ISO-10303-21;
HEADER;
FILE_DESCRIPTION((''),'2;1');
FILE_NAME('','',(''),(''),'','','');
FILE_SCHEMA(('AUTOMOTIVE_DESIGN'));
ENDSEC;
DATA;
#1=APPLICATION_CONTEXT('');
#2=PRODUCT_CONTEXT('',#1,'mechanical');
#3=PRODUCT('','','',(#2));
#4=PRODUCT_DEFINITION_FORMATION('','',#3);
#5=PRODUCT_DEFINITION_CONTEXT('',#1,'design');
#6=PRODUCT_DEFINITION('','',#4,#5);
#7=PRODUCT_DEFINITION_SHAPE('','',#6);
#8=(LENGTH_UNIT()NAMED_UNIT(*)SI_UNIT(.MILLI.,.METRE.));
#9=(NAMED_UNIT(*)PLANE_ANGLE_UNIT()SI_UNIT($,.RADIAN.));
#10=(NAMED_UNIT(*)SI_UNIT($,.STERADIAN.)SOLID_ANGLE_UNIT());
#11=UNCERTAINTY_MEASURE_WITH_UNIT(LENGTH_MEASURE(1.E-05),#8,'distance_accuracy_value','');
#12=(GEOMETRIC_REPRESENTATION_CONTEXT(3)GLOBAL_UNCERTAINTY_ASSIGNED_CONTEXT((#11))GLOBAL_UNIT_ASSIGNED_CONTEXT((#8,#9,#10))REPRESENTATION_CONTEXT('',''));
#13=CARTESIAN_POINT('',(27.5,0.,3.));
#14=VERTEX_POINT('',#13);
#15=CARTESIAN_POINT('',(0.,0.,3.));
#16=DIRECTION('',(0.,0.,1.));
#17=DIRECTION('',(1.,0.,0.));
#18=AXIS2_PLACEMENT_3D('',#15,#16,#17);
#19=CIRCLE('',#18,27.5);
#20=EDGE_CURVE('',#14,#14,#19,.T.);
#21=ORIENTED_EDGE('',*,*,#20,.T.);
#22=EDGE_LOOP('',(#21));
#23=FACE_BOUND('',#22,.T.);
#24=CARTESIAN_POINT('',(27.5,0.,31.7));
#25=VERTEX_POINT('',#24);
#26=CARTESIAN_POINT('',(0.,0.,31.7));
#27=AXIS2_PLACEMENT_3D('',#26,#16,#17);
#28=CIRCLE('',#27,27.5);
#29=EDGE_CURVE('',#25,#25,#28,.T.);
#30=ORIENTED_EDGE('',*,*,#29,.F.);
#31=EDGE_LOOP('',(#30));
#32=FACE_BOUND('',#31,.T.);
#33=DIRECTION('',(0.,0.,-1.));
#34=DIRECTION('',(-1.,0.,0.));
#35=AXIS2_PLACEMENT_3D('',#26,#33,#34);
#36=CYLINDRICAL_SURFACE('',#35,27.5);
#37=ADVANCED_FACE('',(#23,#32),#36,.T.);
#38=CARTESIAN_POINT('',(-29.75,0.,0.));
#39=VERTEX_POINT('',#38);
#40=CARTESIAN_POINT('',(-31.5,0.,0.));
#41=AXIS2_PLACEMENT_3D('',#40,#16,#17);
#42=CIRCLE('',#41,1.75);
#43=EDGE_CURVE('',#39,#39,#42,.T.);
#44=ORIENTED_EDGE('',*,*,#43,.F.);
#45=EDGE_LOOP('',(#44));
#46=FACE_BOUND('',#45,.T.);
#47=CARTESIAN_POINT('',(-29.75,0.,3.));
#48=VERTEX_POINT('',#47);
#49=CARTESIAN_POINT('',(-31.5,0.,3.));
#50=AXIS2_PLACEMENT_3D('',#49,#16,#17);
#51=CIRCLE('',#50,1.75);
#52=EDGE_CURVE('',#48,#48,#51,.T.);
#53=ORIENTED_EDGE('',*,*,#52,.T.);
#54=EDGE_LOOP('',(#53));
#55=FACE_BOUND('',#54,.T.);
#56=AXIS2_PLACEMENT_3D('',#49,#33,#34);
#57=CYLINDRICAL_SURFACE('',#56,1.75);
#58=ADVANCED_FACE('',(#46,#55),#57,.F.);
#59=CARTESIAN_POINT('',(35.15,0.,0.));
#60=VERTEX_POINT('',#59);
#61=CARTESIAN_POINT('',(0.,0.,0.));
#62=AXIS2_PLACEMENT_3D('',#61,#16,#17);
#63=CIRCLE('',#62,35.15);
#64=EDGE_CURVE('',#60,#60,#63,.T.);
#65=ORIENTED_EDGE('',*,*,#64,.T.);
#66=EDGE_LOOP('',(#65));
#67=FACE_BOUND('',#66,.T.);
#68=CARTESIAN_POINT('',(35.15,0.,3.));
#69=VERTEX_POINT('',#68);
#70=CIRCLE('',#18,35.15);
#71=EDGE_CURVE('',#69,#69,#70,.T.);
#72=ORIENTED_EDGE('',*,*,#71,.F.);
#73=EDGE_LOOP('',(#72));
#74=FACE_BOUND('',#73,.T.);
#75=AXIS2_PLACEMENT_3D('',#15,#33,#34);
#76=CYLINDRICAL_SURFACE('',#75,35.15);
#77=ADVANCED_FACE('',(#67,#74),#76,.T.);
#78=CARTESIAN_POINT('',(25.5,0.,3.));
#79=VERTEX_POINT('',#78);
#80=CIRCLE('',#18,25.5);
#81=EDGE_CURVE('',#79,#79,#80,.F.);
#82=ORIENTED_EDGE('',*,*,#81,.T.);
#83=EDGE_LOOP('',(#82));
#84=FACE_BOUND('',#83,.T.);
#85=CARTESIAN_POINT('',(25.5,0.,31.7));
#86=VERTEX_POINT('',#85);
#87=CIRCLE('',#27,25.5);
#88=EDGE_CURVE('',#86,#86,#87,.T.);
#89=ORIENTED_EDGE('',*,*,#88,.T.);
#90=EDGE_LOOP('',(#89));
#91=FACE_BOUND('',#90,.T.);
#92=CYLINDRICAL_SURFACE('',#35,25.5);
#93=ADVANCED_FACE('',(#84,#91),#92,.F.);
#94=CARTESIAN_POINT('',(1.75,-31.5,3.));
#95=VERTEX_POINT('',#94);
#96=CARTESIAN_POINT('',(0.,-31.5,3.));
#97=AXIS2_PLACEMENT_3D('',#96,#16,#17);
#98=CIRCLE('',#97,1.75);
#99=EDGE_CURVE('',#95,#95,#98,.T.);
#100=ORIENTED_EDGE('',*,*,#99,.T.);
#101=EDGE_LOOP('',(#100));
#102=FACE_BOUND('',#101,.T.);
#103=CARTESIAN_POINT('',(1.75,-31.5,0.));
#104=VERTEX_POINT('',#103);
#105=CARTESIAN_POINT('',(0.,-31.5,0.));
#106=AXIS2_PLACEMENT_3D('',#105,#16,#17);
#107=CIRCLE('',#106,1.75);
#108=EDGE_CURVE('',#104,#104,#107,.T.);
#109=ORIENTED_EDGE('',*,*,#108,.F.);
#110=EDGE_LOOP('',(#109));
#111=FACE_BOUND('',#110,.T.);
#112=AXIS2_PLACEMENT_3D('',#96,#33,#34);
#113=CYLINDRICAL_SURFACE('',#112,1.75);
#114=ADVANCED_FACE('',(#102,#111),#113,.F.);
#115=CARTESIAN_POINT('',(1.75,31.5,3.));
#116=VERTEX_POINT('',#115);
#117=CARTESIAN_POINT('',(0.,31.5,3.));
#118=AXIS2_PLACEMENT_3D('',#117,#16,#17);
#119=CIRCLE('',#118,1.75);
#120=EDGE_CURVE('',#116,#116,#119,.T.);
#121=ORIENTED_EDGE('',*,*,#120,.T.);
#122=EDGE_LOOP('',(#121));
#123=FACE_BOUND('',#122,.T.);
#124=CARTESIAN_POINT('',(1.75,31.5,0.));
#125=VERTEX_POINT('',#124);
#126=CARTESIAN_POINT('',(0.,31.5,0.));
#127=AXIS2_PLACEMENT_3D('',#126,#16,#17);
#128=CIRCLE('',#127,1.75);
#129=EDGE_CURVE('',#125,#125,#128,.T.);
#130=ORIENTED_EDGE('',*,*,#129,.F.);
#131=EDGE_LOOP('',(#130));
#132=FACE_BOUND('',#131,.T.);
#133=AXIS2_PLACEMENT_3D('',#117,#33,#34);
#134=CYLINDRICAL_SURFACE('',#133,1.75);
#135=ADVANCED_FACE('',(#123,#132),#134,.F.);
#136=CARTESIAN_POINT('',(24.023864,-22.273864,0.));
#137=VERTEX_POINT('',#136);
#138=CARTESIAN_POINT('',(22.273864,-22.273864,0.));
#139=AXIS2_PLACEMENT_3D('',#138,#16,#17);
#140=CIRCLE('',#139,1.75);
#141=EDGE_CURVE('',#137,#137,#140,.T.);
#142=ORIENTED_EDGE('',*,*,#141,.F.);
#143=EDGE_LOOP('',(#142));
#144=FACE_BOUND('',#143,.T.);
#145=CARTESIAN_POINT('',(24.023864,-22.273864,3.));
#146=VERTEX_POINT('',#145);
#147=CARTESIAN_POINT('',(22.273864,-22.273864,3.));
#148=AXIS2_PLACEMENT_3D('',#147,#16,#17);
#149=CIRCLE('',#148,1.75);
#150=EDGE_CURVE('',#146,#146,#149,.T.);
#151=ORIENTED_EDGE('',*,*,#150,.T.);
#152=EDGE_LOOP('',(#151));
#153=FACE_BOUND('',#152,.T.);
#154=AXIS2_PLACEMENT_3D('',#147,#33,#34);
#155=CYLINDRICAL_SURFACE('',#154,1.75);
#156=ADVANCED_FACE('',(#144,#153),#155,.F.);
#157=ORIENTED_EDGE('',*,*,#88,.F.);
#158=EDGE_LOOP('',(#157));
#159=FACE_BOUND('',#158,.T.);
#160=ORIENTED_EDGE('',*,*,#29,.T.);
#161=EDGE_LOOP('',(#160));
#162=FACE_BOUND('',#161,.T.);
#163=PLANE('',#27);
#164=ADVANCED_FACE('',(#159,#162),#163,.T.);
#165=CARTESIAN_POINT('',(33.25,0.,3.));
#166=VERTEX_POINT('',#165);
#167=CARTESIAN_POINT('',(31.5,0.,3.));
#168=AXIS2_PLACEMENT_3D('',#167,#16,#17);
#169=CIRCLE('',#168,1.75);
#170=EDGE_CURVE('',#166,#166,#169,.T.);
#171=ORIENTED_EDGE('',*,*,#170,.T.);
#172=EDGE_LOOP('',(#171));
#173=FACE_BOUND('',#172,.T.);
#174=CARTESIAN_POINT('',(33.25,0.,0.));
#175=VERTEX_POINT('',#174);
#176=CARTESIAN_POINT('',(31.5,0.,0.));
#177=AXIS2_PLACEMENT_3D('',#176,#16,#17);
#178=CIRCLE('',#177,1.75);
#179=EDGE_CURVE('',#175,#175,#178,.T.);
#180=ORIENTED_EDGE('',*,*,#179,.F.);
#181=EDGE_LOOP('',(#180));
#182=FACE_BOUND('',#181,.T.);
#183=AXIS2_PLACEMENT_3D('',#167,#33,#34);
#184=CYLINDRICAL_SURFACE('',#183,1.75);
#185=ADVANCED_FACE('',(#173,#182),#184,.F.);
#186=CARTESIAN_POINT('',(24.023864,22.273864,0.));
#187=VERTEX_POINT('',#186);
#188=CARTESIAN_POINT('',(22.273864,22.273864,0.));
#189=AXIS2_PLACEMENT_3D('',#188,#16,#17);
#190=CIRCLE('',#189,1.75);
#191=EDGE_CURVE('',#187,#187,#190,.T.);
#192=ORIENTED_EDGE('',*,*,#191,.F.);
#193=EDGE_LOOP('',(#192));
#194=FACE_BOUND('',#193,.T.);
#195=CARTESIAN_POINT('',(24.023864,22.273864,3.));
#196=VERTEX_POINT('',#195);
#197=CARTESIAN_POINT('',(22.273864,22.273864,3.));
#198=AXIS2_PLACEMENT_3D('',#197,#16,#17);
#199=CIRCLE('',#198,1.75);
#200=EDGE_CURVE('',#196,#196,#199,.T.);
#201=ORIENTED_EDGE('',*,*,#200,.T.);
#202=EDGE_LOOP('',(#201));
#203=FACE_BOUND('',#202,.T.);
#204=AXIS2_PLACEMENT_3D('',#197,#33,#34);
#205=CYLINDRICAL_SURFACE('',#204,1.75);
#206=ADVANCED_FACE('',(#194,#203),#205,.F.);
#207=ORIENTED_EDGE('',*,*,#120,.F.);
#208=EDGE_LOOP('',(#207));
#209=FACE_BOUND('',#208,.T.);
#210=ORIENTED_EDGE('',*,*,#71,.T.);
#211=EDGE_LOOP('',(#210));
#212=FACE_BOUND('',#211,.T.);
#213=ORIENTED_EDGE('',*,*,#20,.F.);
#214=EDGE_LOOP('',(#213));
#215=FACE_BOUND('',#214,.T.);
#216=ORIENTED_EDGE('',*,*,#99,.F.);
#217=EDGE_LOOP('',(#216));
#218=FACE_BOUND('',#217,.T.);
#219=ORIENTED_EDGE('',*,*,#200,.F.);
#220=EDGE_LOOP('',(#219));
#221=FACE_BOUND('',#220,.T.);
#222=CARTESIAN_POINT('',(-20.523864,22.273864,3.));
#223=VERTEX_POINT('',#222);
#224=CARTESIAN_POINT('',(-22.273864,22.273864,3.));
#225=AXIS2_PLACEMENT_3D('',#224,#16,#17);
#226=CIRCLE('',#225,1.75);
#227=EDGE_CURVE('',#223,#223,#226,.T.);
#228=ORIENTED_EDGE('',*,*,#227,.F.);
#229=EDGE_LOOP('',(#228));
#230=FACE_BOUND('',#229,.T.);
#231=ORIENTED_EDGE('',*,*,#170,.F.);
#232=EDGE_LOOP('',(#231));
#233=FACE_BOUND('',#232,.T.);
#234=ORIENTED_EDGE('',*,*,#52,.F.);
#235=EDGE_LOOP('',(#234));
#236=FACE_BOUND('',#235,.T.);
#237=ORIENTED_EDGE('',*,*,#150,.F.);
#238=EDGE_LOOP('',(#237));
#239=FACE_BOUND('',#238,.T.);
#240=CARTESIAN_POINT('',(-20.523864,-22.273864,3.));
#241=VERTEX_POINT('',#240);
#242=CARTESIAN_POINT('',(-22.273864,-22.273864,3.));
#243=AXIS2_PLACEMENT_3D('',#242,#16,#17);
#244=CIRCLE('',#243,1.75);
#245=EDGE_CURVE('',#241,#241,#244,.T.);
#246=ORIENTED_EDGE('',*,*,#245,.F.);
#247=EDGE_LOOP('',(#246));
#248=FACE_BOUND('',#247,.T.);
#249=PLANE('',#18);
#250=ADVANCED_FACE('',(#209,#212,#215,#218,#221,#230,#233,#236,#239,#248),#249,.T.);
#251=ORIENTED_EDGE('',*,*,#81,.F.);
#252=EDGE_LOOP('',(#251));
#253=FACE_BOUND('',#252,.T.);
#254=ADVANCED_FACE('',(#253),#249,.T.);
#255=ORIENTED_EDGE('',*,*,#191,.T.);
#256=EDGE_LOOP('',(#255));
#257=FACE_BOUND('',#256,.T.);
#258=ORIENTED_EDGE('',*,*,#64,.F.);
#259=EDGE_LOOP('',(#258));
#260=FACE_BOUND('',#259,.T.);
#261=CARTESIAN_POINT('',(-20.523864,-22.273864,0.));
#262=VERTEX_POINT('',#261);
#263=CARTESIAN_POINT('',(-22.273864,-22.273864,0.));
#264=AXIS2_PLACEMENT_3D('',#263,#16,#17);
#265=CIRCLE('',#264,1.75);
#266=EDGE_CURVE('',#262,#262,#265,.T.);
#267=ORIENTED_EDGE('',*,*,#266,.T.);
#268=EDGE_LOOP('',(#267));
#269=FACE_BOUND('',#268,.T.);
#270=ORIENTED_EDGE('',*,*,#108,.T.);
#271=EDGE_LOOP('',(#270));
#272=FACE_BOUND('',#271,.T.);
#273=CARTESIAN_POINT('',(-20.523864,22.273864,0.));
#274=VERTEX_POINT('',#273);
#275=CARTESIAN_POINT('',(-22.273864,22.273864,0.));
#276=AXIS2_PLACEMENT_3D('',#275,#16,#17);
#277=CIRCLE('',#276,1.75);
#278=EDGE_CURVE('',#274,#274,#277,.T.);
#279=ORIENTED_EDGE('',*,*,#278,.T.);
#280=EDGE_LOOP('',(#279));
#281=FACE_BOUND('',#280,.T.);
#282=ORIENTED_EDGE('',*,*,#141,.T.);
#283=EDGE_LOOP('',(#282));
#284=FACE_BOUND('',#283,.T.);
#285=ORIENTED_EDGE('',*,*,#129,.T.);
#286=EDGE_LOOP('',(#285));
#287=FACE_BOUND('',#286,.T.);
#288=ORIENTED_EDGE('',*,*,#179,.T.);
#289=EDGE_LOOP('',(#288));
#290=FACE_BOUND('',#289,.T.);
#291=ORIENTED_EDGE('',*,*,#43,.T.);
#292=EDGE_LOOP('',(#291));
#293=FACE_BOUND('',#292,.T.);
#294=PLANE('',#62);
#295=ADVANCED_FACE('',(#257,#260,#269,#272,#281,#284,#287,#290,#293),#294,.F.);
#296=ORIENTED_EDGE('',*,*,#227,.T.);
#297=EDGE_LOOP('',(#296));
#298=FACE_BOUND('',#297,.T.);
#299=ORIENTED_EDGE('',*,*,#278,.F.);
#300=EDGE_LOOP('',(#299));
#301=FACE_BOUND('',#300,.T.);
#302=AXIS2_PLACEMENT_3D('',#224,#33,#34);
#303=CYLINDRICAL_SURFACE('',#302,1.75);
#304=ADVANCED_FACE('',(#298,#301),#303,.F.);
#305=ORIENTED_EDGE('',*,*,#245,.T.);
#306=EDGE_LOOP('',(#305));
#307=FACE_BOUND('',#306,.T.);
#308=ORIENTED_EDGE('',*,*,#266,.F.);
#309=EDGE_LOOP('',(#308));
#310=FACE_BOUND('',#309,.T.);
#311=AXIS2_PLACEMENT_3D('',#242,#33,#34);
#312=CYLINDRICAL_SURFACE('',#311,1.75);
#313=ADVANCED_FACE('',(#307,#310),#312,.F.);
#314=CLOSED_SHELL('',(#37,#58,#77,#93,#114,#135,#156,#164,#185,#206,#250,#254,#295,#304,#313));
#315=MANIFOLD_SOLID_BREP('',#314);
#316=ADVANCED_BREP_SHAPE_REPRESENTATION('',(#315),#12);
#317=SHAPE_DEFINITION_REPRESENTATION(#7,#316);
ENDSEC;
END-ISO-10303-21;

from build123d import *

# Parameters (mm, degrees)
SKETCH1_R           = 35.15
SKETCH1_R_2         = 1.75
BOSS_EXTRUDE2_DEPTH = 3
SKETCH3_R           = 27.5
SKETCH3_R_2         = 25.5
BOSS_EXTRUDE3_DEPTH = 28.7


with BuildPart() as part:
    # Sketch1 → Boss-Extrude2 (new body)
    with BuildSketch(Plane.XY):
        Circle(SKETCH1_R)
        with Locations((0, 31.5)):
            Circle(SKETCH1_R_2, mode=Mode.SUBTRACT)
        with Locations((22.273863607, 22.273863607)):
            Circle(SKETCH1_R_2, mode=Mode.SUBTRACT)
        with Locations((31.5, 0)):
            Circle(SKETCH1_R_2, mode=Mode.SUBTRACT)
        with Locations((22.273863607, -22.273863607)):
            Circle(SKETCH1_R_2, mode=Mode.SUBTRACT)
        with Locations((0, -31.5)):
            Circle(SKETCH1_R_2, mode=Mode.SUBTRACT)
        with Locations((-22.273863607, -22.273863607)):
            Circle(SKETCH1_R_2, mode=Mode.SUBTRACT)
        with Locations((-31.5, 0)):
            Circle(SKETCH1_R_2, mode=Mode.SUBTRACT)
        with Locations((-22.273863607, 22.273863607)):
            Circle(SKETCH1_R_2, mode=Mode.SUBTRACT)
    extrude(amount=BOSS_EXTRUDE2_DEPTH)

    # Sketch3 → Boss-Extrude3 (add)
    with BuildSketch(Plane.XY.offset(3)):
        Circle(SKETCH3_R)
        Circle(SKETCH3_R_2, mode=Mode.SUBTRACT)
    extrude(amount=BOSS_EXTRUDE3_DEPTH)


solid = part.part
